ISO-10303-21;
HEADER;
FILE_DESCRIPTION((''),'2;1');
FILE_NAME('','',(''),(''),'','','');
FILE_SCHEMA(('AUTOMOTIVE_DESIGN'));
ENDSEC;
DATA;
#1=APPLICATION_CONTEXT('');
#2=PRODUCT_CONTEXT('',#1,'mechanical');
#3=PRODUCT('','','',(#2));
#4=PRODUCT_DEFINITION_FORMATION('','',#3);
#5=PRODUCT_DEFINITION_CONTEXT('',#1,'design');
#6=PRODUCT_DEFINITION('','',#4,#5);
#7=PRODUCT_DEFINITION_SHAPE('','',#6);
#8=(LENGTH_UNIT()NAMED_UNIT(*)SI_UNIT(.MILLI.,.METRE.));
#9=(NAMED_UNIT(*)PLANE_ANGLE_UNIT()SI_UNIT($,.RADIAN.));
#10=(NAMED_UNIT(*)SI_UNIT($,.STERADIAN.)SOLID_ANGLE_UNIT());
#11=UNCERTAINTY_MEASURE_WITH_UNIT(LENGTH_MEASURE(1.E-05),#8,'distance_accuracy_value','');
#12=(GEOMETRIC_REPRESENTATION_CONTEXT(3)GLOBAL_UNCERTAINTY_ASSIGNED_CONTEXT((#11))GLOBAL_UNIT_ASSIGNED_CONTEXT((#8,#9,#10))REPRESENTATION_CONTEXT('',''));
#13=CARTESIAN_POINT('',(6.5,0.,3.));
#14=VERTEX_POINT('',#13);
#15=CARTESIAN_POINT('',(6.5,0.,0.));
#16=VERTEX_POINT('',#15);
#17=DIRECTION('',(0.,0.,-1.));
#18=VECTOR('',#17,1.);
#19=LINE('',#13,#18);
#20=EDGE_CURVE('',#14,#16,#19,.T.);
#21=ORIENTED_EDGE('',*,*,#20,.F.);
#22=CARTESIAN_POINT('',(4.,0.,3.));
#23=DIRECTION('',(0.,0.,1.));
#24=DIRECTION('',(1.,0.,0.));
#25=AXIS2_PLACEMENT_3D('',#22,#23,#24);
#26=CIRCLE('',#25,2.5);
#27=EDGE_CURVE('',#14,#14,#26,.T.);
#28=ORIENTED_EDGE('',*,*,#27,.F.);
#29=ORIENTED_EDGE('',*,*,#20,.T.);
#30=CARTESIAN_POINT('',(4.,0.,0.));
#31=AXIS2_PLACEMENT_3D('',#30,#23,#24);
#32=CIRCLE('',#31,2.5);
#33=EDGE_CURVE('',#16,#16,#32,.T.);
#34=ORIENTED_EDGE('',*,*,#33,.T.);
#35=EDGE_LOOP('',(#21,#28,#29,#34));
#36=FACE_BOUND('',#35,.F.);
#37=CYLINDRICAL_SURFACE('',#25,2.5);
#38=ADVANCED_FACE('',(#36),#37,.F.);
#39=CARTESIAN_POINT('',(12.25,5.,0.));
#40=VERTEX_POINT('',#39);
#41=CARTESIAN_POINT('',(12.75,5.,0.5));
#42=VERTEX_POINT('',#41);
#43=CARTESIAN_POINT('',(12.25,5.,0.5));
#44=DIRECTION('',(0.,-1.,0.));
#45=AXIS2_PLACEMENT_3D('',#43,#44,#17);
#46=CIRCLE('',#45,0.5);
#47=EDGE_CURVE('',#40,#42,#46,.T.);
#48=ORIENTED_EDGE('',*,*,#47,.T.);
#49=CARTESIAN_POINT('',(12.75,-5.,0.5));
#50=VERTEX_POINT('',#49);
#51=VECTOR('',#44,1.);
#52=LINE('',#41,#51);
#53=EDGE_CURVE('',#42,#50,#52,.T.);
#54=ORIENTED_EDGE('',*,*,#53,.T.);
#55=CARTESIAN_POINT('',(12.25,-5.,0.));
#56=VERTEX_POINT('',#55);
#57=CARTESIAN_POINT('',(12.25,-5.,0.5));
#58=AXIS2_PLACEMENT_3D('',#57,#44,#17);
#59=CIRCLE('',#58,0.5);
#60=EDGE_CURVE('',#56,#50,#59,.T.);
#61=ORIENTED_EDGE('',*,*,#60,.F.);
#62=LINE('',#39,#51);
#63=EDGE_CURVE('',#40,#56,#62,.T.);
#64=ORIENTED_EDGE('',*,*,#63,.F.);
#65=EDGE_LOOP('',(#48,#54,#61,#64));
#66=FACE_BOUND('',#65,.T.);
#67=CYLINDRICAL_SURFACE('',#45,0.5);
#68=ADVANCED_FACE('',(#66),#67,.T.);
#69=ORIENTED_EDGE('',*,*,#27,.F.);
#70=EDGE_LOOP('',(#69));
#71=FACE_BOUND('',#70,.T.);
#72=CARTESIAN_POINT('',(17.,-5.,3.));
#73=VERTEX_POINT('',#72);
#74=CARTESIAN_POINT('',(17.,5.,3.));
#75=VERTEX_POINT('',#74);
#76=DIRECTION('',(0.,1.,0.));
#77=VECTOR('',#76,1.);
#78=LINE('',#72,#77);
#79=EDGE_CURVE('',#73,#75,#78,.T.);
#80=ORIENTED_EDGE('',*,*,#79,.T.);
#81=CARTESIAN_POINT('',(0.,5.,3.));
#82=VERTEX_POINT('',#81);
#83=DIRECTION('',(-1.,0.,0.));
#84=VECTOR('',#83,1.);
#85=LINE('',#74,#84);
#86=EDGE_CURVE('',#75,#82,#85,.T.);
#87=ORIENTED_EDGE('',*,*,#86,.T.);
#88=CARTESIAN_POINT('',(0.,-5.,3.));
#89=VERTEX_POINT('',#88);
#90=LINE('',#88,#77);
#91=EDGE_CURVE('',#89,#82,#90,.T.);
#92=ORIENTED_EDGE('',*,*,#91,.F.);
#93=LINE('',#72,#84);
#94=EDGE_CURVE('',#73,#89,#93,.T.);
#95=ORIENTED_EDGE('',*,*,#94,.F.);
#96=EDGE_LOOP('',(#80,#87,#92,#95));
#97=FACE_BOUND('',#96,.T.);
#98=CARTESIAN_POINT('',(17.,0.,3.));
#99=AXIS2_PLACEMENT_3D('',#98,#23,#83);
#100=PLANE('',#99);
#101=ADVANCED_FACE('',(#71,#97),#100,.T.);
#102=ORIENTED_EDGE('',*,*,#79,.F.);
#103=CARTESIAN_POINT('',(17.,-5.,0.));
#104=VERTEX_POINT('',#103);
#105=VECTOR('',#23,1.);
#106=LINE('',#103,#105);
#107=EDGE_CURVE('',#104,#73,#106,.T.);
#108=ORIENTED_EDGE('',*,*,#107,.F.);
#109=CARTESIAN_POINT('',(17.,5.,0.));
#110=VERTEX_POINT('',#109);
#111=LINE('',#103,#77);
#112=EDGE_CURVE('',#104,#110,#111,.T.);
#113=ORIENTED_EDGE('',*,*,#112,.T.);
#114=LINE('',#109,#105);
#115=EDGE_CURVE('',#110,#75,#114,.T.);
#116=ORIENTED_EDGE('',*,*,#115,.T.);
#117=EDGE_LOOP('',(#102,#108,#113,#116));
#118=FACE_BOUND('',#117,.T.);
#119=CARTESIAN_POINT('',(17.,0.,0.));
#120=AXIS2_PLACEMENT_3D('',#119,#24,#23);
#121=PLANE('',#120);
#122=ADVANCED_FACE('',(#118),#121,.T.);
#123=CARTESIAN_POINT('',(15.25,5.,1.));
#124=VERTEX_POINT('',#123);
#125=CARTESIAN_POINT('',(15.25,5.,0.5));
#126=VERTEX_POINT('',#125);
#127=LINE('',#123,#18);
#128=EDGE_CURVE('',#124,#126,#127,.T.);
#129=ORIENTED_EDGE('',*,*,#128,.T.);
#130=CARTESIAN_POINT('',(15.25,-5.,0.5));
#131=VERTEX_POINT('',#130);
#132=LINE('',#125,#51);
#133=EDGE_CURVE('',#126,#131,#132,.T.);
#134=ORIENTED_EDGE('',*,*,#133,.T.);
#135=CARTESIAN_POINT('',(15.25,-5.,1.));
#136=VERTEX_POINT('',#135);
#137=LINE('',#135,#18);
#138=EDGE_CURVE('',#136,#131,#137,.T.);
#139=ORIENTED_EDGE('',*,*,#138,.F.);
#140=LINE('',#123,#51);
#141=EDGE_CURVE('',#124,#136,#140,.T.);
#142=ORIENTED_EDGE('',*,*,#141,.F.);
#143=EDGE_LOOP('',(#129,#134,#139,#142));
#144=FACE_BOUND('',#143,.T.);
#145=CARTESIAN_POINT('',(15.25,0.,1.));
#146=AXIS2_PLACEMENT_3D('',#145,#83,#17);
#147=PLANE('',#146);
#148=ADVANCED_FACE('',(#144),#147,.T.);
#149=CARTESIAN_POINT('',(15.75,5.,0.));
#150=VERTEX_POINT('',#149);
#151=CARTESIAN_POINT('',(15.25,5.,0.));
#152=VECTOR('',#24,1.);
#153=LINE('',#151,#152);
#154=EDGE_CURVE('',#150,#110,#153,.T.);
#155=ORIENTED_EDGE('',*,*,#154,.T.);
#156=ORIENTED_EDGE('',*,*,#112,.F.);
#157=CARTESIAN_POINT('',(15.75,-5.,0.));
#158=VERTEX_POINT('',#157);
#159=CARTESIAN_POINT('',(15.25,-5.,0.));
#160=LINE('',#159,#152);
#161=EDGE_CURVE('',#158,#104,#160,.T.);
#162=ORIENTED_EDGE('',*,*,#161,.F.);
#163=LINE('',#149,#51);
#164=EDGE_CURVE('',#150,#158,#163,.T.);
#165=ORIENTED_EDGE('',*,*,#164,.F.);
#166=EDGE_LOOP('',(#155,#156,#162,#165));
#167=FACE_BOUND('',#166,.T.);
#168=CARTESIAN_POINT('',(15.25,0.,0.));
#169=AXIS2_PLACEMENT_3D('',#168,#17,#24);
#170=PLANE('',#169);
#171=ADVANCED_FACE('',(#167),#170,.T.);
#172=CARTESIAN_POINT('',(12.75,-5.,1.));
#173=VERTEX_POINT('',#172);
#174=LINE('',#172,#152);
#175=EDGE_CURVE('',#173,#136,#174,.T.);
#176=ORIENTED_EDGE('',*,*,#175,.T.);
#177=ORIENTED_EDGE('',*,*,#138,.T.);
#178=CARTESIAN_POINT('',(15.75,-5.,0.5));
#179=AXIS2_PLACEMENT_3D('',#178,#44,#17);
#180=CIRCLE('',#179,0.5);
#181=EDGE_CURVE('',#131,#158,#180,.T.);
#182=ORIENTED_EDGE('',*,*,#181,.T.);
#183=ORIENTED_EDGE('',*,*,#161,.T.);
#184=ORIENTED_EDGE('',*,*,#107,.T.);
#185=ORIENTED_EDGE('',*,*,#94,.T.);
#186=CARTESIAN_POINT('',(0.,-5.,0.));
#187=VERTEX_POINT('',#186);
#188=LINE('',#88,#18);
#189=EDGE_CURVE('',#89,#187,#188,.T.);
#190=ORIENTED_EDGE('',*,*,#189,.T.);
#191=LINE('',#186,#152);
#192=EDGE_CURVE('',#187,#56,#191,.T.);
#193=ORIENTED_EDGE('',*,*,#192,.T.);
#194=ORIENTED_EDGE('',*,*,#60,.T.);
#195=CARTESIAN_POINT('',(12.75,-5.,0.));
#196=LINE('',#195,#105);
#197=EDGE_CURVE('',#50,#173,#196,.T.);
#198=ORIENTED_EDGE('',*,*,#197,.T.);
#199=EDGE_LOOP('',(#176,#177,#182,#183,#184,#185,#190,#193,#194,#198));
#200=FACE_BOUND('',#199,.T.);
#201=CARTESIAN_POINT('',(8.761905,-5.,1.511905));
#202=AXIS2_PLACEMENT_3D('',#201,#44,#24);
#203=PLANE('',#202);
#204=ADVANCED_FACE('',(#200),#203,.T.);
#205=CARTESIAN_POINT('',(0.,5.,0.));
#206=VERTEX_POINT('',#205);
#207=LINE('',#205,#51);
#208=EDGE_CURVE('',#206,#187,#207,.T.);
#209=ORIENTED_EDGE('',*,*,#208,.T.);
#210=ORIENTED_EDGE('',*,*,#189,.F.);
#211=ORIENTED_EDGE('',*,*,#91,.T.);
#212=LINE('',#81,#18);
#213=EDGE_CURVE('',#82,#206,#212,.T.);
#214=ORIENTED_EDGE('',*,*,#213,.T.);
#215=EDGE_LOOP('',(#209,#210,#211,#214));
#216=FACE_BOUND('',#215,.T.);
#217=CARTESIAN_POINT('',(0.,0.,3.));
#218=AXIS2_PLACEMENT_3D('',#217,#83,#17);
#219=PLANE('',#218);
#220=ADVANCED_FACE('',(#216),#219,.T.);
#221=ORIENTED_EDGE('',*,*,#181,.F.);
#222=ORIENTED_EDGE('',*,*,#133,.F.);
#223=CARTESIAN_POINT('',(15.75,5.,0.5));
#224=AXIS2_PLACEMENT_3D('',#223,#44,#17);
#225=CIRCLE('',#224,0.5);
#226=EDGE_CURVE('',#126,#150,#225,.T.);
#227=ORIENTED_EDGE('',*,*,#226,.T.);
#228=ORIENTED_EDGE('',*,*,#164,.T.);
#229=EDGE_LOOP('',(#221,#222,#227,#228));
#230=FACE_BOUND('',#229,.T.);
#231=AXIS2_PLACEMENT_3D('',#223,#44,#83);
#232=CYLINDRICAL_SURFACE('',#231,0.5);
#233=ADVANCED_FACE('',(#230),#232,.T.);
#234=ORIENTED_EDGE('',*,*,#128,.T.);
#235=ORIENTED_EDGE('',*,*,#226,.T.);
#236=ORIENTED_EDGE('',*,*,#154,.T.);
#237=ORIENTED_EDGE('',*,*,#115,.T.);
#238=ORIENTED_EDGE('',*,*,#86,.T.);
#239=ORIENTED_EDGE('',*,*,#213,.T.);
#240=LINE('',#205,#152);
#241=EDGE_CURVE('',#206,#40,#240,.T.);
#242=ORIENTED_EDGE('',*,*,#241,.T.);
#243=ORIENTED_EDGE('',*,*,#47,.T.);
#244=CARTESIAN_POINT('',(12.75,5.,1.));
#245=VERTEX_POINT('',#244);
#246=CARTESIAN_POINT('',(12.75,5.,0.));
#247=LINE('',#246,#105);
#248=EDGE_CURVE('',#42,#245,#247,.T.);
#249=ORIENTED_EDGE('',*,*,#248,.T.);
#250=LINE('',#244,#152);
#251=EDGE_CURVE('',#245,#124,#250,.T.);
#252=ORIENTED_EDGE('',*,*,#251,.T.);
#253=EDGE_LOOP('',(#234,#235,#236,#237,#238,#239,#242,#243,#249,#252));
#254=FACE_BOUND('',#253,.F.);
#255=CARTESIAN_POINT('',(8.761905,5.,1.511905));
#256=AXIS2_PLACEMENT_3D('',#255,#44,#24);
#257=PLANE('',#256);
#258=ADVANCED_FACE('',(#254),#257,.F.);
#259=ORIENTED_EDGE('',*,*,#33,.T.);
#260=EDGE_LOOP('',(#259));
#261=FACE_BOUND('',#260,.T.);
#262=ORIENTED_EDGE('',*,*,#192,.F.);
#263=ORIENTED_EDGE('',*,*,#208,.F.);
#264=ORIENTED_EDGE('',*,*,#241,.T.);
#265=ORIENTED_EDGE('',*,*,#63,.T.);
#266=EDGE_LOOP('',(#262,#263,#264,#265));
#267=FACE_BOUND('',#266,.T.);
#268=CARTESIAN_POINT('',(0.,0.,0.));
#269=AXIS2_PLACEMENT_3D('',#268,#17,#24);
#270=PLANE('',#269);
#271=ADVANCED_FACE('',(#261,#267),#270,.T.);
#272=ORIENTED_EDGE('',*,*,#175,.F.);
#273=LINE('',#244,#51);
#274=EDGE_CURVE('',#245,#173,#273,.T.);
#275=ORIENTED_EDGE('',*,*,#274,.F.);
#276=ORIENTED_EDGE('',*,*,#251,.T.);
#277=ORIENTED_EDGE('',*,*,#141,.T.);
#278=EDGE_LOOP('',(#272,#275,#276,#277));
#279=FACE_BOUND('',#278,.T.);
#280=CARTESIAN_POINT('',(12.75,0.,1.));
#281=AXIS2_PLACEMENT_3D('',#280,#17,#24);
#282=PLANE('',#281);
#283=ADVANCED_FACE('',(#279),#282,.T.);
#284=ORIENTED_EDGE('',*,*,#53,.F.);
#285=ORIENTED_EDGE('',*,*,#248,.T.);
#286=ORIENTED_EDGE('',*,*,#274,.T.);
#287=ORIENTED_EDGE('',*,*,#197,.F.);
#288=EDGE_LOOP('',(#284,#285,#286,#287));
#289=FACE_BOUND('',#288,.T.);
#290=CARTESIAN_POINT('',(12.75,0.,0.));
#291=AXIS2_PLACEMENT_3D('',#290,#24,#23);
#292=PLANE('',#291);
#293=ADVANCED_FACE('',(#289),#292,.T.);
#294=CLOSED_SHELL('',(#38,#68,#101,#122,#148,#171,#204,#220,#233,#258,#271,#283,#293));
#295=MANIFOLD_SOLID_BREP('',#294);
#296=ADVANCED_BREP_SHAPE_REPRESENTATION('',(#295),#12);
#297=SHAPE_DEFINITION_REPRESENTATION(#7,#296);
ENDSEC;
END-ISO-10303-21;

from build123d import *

# Parameters (mm, degrees)
F1_DEPTH      = 5
F1_DEPTH_BACK = 5
F2_R          = 2.5
F3_DEPTH      = 3.001
F4_R          = 0.5


with BuildPart() as f1:
    # F0 (on Front) → F1 (new body, two sides)
    with BuildSketch(Plane.XZ) as f1_sk:
        Polygon((0, 3), (0, 0), (12.75, 0), (12.75, 1), (15.25, 1), (15.25, 0), (17, 0), (17, 3), align=None)
    extrude(amount=F1_DEPTH)
    extrude(f1_sk.sketch, amount=-F1_DEPTH_BACK)

    # F2 (on face) → F3 (cut, through all)
    with BuildSketch(Plane.XY.offset(3)):
        with Locations((4, 0)):
            Circle(F2_R)
    extrude(amount=-F3_DEPTH, mode=Mode.SUBTRACT)

    # F4
    f4_edges = [f1.edges().sort_by_distance(p)[0] for p in [
        (12.75, 0, 0),
        (15.25, 0, 0),
    ]]
    fillet(f4_edges, radius=F4_R)


solid = f1.part
